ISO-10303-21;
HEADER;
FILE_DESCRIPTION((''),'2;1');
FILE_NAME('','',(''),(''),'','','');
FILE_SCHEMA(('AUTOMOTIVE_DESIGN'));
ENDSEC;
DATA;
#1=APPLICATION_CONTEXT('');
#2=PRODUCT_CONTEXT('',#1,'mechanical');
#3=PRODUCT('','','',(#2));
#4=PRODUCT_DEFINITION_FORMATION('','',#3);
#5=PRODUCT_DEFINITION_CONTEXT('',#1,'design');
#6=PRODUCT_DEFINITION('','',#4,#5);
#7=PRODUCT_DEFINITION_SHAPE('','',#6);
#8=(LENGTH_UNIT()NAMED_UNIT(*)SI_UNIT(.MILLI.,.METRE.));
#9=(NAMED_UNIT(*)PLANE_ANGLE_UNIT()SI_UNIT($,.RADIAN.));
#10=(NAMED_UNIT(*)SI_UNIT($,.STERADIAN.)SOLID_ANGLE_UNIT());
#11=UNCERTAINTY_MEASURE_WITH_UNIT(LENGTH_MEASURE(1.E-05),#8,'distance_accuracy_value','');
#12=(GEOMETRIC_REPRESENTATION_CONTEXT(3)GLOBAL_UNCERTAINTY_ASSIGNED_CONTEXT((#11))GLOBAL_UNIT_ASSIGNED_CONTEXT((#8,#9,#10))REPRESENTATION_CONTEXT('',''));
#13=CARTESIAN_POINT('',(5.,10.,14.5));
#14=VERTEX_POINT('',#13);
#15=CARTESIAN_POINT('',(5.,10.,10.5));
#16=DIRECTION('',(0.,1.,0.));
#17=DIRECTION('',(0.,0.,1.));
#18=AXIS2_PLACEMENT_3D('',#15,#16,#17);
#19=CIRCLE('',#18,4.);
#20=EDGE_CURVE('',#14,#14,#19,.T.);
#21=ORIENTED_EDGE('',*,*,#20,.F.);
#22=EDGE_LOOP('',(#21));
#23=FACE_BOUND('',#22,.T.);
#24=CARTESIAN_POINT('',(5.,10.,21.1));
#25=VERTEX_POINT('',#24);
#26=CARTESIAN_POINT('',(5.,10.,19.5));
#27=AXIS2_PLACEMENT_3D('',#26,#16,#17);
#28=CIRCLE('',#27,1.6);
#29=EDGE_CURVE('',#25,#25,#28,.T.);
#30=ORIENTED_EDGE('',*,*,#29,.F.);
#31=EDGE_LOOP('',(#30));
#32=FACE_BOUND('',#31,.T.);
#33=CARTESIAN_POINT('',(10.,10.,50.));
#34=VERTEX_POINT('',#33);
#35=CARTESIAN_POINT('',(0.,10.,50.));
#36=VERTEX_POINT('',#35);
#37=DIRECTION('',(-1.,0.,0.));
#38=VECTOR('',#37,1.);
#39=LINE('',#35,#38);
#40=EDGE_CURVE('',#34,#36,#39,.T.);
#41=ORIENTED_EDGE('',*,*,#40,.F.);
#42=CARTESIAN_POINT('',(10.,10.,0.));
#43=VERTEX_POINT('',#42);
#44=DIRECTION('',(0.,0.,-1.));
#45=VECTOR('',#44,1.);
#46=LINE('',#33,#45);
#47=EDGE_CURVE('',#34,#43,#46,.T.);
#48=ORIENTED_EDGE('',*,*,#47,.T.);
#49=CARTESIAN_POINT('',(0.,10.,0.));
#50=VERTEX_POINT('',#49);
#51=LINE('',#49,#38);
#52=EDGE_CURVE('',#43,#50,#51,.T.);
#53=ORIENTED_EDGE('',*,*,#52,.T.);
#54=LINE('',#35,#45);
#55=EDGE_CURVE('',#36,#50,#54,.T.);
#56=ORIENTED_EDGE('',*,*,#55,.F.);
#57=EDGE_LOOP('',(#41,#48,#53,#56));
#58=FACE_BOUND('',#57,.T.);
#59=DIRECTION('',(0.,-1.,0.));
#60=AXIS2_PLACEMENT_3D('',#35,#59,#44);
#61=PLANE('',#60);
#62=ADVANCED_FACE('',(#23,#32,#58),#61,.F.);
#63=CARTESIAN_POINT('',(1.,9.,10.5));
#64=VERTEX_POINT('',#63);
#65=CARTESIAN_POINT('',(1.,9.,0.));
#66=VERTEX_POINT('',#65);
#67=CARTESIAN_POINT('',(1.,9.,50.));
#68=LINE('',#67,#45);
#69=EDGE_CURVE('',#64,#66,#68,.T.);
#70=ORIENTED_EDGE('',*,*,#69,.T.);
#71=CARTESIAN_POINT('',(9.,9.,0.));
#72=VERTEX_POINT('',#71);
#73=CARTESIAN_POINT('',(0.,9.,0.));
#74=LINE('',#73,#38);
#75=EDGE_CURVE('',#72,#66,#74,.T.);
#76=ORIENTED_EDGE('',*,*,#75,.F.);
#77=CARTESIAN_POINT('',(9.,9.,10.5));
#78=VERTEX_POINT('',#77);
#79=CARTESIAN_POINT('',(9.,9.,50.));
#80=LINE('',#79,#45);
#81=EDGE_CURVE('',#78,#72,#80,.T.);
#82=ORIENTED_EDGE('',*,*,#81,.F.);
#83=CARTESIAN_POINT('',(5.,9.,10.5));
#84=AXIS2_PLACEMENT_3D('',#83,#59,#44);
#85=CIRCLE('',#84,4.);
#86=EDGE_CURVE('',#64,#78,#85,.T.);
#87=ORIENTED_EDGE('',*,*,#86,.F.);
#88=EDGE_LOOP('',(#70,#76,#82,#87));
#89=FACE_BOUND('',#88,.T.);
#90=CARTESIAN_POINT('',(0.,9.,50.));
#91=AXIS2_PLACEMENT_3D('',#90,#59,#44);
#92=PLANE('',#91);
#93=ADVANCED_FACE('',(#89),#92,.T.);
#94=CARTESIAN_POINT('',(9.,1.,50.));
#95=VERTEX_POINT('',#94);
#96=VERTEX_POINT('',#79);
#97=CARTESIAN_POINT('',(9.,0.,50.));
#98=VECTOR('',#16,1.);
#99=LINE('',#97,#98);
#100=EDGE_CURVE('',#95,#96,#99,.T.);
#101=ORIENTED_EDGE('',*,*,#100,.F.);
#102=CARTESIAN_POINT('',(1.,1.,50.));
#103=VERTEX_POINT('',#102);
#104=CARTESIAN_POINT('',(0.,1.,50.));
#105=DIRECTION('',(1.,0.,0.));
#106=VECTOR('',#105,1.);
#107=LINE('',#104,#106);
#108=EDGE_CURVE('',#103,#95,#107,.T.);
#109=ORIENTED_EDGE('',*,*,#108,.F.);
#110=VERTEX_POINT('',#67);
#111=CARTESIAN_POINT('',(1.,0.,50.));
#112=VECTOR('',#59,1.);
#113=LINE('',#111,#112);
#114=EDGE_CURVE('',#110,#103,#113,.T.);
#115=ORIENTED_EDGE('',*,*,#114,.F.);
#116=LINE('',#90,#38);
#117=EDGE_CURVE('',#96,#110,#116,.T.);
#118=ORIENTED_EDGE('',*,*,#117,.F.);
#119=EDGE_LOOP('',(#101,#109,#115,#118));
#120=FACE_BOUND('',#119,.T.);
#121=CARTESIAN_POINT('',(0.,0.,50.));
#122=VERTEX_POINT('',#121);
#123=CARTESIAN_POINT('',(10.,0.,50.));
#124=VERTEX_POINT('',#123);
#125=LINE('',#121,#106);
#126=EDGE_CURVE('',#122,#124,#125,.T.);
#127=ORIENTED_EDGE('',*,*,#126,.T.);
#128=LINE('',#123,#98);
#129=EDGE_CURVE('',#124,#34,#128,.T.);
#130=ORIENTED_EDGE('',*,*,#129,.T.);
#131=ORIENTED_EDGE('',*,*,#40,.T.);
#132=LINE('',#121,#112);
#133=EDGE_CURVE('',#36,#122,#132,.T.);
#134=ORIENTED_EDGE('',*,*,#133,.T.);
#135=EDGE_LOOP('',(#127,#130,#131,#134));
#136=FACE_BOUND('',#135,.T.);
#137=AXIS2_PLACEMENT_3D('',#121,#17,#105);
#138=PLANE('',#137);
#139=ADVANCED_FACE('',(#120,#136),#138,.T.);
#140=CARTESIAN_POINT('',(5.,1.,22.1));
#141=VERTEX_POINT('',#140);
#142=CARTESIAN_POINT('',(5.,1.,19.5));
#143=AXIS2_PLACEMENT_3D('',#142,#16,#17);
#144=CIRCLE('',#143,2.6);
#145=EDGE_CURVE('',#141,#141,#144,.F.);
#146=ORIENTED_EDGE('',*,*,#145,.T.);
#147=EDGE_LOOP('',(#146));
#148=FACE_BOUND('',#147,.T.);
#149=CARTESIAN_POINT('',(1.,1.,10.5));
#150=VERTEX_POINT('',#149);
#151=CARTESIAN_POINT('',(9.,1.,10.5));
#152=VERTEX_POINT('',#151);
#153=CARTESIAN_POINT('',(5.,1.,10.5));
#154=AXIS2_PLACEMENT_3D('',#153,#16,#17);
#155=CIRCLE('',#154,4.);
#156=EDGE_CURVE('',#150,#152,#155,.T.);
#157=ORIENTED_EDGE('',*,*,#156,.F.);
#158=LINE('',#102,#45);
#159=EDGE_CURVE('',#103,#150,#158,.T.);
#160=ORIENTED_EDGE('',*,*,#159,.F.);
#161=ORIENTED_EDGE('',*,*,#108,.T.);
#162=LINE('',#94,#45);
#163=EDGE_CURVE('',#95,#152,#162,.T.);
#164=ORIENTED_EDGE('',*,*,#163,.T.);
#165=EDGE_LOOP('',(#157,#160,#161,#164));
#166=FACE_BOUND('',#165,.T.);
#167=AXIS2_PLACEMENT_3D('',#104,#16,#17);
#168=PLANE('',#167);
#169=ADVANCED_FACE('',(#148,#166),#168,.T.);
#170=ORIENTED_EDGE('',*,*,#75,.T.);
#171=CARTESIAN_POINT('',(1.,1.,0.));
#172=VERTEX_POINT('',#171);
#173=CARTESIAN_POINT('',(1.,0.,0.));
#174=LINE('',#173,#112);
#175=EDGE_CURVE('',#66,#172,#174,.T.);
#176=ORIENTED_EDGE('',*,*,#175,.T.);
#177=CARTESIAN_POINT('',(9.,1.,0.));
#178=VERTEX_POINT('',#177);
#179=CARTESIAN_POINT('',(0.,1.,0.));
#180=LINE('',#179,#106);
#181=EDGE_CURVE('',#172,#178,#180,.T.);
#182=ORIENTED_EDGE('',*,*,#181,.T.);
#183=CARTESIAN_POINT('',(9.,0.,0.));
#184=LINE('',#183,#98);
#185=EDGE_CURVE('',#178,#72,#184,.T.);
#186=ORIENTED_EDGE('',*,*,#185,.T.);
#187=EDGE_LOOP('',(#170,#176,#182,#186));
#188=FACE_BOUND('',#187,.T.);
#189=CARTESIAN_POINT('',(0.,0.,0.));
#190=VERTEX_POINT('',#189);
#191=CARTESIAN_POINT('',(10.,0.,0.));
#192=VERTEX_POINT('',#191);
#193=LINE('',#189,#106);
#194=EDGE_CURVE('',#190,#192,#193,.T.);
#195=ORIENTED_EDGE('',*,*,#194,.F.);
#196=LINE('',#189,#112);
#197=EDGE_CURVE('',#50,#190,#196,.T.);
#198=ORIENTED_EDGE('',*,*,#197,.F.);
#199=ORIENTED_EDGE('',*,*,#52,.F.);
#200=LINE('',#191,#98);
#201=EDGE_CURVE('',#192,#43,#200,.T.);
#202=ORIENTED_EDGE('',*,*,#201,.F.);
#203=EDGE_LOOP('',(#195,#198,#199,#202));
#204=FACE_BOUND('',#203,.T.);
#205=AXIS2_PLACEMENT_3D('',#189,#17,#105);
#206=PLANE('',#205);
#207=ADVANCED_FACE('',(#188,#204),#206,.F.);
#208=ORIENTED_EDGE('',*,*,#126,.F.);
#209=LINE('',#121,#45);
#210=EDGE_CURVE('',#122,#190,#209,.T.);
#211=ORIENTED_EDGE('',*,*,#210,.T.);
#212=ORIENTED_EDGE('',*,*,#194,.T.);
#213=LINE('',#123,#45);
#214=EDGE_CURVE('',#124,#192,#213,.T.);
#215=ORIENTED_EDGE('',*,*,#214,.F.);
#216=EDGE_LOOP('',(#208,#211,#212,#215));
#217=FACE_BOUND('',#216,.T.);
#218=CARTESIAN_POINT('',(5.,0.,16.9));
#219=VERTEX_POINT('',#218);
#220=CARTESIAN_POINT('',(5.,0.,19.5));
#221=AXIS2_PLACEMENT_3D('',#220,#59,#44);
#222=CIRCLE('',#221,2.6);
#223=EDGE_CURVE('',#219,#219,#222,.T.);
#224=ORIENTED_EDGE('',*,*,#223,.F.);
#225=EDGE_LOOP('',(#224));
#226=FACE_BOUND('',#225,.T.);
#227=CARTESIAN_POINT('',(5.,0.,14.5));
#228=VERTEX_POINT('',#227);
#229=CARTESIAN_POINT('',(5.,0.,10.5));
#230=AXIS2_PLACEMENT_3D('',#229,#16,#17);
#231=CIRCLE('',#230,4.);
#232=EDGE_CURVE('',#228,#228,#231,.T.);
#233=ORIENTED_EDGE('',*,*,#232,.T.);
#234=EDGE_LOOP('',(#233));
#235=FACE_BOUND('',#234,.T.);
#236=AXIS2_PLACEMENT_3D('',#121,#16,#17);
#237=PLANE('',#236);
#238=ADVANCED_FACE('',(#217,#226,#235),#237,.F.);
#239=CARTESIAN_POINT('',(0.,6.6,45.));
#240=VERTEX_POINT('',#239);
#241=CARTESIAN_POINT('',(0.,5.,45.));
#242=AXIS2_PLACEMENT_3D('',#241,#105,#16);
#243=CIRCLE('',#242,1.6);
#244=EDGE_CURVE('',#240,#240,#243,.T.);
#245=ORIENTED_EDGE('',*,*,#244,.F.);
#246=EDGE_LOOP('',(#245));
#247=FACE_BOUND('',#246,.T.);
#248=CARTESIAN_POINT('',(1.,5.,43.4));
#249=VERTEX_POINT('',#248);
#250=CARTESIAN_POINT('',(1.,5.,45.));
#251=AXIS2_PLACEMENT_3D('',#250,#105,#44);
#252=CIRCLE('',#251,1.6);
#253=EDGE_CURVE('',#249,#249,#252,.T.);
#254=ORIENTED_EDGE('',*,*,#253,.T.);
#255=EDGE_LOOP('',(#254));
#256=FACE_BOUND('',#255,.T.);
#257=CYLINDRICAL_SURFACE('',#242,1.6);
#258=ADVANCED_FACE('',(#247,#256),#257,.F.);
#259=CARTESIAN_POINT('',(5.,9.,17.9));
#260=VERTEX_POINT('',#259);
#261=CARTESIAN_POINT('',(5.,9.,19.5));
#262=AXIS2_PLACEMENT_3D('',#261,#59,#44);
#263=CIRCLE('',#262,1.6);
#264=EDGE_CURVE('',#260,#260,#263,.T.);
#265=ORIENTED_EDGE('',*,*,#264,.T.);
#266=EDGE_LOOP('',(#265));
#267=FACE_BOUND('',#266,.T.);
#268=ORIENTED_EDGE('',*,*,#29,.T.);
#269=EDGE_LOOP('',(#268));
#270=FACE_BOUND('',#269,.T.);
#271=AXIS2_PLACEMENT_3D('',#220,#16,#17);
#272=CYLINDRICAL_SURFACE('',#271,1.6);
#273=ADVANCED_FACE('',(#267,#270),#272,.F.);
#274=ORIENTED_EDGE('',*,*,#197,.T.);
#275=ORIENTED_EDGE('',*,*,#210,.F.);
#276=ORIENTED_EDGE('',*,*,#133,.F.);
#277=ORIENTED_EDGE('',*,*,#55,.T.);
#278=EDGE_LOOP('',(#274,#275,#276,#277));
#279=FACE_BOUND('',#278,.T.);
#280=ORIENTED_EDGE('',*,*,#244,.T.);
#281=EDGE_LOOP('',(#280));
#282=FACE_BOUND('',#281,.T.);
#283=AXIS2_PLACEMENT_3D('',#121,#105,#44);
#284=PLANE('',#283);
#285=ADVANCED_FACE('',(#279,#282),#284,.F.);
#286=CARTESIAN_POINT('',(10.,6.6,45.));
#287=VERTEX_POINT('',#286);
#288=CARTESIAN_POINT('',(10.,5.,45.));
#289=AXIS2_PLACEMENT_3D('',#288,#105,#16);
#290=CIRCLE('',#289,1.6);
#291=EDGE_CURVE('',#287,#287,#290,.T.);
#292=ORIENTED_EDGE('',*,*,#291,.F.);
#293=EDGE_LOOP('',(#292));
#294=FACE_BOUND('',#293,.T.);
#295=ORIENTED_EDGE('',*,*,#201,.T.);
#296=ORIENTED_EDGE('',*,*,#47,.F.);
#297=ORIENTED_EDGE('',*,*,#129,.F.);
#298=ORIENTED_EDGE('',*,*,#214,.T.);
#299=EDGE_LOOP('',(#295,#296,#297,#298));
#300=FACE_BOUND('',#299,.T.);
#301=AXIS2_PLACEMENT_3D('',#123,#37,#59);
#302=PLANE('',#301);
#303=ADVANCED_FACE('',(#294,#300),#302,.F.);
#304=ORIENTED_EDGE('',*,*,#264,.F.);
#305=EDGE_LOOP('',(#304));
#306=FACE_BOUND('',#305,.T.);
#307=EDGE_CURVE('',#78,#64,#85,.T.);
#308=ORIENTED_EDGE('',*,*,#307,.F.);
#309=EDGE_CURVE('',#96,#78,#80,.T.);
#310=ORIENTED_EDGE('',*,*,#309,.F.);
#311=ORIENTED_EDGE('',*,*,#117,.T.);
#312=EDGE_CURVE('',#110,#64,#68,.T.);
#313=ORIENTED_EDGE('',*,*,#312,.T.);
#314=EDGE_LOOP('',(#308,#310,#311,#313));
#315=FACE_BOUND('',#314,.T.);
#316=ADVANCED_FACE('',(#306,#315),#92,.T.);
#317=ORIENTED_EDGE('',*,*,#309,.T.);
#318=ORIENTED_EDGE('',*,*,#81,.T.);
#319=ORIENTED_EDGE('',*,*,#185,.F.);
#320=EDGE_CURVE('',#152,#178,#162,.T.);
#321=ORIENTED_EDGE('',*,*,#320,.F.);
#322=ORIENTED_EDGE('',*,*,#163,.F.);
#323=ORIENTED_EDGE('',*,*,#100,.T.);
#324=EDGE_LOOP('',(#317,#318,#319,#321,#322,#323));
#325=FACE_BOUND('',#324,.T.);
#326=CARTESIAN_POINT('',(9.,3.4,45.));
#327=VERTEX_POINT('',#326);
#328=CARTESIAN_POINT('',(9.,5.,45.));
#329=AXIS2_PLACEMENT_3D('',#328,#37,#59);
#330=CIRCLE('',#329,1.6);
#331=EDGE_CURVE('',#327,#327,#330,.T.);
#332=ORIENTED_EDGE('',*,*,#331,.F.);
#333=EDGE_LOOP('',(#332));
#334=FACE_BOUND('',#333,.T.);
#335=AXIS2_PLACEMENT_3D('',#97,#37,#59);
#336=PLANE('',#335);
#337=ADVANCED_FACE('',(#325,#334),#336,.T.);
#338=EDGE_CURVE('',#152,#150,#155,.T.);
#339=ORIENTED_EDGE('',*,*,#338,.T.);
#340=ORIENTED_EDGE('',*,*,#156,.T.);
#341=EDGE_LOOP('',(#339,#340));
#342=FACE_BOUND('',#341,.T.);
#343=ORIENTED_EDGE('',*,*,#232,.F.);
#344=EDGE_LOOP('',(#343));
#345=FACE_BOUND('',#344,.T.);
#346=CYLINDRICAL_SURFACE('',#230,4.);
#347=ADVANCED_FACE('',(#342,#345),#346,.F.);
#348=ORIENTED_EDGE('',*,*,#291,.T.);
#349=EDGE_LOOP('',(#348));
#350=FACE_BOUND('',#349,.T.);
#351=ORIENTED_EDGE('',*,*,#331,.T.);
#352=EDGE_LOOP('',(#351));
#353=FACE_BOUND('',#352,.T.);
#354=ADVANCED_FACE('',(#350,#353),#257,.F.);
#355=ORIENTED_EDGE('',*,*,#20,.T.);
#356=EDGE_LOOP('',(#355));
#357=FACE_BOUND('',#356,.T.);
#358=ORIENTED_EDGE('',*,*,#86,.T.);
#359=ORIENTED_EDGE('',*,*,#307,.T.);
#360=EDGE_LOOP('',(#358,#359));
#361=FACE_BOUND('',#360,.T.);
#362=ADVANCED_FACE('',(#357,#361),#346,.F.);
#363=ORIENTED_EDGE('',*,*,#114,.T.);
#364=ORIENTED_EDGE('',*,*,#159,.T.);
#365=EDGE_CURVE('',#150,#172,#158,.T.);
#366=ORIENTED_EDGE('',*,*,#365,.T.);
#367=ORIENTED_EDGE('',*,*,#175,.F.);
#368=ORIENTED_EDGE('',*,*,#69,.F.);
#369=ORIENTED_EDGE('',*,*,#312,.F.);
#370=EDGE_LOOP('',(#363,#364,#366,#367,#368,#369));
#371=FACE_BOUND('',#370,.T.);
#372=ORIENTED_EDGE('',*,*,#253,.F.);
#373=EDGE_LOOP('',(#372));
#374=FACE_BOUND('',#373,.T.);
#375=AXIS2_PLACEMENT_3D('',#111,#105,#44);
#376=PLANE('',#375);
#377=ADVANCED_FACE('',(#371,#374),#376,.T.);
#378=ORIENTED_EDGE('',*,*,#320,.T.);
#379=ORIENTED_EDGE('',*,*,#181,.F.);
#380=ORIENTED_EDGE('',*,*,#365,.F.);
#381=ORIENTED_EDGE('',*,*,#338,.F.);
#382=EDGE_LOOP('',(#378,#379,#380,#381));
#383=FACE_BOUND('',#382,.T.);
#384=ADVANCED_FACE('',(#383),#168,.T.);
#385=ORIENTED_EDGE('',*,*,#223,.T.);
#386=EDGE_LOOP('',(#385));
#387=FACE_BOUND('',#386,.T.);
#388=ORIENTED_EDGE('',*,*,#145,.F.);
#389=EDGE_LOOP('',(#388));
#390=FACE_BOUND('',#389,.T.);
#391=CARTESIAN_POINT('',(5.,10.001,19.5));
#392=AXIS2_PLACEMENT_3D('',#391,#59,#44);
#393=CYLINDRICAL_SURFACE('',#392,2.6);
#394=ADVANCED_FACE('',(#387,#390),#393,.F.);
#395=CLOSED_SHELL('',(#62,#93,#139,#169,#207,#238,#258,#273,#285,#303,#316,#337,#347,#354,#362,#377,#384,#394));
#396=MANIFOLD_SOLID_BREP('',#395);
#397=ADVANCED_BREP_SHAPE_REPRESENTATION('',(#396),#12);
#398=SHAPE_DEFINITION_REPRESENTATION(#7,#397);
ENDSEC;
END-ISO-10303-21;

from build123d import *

# Parameters (mm, degrees)
SKETCH_1_W          = 10
SKETCH_1_H          = 10
SKETCH_1_W_2        = 8
SKETCH_1_H_2        = 8
EXTRUDE_1_DEPTH     = 50
SKETCH_2_R          = 4
SKETCH_2_R_2        = 1.6
CUT_EXTRUDE_1_DEPTH = 52.961524227
CUT_EXTRUDE_2_REACH = 53.962
SKETCH_4_R          = 2.6
SKETCH_5_R          = 1.6
CUT_EXTRUDE_3_DEPTH = 52.961524227


with BuildPart() as part:
    # ｽｹｯﾁ1 → 押し出し-薄板1 (new body)
    with BuildSketch(Plane.XY):
        with Locations((5, 5)):
            Rectangle(SKETCH_1_W, SKETCH_1_H)
        with Locations((5, 5)):
            Rectangle(SKETCH_1_W_2, SKETCH_1_H_2, mode=Mode.SUBTRACT)
    extrude(amount=EXTRUDE_1_DEPTH)

    # ｽｹｯﾁ2 → ｶｯﾄ - 押し出し1 (cut, through all)
    with BuildSketch(Plane(origin=(0, 10, 0), x_dir=(1, 0, 0), z_dir=(0, 1, 0))):
        with Locations(Location((5, -10.5, 0), (0, 0, 270))):
            Circle(SKETCH_2_R)
        with Locations(Location((5, -19.5, 0), (0, 0, 270))):
            Circle(SKETCH_2_R_2)
    extrude(amount=-CUT_EXTRUDE_1_DEPTH, mode=Mode.SUBTRACT)

    # ｽｹｯﾁ4 → ｶｯﾄ - 押し出し2 (cut, up to next)
    with BuildSketch(Plane.XZ, mode=Mode.PRIVATE) as cut_extrude_2_sk1:
        with Locations(Location((5, 19.5, 0), (0, 0, 270))):
            Circle(SKETCH_4_R)
    cut_extrude_2_tool1 = extrude(cut_extrude_2_sk1.sketch, amount=-CUT_EXTRUDE_2_REACH, mode=Mode.PRIVATE) & part.part
    add(cut_extrude_2_tool1.solids().sort_by_distance((5, 0, 19.5))[0], mode=Mode.SUBTRACT)

    # ｽｹｯﾁ5 → ｶｯﾄ - 押し出し3 (cut, through all)
    with BuildSketch(Plane(origin=(10, 0, 0), x_dir=(0, 0, -1), z_dir=(1, 0, 0))):
        with Locations(Location((-45, 5, 0), (0, 0, 90))):
            Circle(SKETCH_5_R)
    extrude(amount=-CUT_EXTRUDE_3_DEPTH, mode=Mode.SUBTRACT)


solid = part.part
